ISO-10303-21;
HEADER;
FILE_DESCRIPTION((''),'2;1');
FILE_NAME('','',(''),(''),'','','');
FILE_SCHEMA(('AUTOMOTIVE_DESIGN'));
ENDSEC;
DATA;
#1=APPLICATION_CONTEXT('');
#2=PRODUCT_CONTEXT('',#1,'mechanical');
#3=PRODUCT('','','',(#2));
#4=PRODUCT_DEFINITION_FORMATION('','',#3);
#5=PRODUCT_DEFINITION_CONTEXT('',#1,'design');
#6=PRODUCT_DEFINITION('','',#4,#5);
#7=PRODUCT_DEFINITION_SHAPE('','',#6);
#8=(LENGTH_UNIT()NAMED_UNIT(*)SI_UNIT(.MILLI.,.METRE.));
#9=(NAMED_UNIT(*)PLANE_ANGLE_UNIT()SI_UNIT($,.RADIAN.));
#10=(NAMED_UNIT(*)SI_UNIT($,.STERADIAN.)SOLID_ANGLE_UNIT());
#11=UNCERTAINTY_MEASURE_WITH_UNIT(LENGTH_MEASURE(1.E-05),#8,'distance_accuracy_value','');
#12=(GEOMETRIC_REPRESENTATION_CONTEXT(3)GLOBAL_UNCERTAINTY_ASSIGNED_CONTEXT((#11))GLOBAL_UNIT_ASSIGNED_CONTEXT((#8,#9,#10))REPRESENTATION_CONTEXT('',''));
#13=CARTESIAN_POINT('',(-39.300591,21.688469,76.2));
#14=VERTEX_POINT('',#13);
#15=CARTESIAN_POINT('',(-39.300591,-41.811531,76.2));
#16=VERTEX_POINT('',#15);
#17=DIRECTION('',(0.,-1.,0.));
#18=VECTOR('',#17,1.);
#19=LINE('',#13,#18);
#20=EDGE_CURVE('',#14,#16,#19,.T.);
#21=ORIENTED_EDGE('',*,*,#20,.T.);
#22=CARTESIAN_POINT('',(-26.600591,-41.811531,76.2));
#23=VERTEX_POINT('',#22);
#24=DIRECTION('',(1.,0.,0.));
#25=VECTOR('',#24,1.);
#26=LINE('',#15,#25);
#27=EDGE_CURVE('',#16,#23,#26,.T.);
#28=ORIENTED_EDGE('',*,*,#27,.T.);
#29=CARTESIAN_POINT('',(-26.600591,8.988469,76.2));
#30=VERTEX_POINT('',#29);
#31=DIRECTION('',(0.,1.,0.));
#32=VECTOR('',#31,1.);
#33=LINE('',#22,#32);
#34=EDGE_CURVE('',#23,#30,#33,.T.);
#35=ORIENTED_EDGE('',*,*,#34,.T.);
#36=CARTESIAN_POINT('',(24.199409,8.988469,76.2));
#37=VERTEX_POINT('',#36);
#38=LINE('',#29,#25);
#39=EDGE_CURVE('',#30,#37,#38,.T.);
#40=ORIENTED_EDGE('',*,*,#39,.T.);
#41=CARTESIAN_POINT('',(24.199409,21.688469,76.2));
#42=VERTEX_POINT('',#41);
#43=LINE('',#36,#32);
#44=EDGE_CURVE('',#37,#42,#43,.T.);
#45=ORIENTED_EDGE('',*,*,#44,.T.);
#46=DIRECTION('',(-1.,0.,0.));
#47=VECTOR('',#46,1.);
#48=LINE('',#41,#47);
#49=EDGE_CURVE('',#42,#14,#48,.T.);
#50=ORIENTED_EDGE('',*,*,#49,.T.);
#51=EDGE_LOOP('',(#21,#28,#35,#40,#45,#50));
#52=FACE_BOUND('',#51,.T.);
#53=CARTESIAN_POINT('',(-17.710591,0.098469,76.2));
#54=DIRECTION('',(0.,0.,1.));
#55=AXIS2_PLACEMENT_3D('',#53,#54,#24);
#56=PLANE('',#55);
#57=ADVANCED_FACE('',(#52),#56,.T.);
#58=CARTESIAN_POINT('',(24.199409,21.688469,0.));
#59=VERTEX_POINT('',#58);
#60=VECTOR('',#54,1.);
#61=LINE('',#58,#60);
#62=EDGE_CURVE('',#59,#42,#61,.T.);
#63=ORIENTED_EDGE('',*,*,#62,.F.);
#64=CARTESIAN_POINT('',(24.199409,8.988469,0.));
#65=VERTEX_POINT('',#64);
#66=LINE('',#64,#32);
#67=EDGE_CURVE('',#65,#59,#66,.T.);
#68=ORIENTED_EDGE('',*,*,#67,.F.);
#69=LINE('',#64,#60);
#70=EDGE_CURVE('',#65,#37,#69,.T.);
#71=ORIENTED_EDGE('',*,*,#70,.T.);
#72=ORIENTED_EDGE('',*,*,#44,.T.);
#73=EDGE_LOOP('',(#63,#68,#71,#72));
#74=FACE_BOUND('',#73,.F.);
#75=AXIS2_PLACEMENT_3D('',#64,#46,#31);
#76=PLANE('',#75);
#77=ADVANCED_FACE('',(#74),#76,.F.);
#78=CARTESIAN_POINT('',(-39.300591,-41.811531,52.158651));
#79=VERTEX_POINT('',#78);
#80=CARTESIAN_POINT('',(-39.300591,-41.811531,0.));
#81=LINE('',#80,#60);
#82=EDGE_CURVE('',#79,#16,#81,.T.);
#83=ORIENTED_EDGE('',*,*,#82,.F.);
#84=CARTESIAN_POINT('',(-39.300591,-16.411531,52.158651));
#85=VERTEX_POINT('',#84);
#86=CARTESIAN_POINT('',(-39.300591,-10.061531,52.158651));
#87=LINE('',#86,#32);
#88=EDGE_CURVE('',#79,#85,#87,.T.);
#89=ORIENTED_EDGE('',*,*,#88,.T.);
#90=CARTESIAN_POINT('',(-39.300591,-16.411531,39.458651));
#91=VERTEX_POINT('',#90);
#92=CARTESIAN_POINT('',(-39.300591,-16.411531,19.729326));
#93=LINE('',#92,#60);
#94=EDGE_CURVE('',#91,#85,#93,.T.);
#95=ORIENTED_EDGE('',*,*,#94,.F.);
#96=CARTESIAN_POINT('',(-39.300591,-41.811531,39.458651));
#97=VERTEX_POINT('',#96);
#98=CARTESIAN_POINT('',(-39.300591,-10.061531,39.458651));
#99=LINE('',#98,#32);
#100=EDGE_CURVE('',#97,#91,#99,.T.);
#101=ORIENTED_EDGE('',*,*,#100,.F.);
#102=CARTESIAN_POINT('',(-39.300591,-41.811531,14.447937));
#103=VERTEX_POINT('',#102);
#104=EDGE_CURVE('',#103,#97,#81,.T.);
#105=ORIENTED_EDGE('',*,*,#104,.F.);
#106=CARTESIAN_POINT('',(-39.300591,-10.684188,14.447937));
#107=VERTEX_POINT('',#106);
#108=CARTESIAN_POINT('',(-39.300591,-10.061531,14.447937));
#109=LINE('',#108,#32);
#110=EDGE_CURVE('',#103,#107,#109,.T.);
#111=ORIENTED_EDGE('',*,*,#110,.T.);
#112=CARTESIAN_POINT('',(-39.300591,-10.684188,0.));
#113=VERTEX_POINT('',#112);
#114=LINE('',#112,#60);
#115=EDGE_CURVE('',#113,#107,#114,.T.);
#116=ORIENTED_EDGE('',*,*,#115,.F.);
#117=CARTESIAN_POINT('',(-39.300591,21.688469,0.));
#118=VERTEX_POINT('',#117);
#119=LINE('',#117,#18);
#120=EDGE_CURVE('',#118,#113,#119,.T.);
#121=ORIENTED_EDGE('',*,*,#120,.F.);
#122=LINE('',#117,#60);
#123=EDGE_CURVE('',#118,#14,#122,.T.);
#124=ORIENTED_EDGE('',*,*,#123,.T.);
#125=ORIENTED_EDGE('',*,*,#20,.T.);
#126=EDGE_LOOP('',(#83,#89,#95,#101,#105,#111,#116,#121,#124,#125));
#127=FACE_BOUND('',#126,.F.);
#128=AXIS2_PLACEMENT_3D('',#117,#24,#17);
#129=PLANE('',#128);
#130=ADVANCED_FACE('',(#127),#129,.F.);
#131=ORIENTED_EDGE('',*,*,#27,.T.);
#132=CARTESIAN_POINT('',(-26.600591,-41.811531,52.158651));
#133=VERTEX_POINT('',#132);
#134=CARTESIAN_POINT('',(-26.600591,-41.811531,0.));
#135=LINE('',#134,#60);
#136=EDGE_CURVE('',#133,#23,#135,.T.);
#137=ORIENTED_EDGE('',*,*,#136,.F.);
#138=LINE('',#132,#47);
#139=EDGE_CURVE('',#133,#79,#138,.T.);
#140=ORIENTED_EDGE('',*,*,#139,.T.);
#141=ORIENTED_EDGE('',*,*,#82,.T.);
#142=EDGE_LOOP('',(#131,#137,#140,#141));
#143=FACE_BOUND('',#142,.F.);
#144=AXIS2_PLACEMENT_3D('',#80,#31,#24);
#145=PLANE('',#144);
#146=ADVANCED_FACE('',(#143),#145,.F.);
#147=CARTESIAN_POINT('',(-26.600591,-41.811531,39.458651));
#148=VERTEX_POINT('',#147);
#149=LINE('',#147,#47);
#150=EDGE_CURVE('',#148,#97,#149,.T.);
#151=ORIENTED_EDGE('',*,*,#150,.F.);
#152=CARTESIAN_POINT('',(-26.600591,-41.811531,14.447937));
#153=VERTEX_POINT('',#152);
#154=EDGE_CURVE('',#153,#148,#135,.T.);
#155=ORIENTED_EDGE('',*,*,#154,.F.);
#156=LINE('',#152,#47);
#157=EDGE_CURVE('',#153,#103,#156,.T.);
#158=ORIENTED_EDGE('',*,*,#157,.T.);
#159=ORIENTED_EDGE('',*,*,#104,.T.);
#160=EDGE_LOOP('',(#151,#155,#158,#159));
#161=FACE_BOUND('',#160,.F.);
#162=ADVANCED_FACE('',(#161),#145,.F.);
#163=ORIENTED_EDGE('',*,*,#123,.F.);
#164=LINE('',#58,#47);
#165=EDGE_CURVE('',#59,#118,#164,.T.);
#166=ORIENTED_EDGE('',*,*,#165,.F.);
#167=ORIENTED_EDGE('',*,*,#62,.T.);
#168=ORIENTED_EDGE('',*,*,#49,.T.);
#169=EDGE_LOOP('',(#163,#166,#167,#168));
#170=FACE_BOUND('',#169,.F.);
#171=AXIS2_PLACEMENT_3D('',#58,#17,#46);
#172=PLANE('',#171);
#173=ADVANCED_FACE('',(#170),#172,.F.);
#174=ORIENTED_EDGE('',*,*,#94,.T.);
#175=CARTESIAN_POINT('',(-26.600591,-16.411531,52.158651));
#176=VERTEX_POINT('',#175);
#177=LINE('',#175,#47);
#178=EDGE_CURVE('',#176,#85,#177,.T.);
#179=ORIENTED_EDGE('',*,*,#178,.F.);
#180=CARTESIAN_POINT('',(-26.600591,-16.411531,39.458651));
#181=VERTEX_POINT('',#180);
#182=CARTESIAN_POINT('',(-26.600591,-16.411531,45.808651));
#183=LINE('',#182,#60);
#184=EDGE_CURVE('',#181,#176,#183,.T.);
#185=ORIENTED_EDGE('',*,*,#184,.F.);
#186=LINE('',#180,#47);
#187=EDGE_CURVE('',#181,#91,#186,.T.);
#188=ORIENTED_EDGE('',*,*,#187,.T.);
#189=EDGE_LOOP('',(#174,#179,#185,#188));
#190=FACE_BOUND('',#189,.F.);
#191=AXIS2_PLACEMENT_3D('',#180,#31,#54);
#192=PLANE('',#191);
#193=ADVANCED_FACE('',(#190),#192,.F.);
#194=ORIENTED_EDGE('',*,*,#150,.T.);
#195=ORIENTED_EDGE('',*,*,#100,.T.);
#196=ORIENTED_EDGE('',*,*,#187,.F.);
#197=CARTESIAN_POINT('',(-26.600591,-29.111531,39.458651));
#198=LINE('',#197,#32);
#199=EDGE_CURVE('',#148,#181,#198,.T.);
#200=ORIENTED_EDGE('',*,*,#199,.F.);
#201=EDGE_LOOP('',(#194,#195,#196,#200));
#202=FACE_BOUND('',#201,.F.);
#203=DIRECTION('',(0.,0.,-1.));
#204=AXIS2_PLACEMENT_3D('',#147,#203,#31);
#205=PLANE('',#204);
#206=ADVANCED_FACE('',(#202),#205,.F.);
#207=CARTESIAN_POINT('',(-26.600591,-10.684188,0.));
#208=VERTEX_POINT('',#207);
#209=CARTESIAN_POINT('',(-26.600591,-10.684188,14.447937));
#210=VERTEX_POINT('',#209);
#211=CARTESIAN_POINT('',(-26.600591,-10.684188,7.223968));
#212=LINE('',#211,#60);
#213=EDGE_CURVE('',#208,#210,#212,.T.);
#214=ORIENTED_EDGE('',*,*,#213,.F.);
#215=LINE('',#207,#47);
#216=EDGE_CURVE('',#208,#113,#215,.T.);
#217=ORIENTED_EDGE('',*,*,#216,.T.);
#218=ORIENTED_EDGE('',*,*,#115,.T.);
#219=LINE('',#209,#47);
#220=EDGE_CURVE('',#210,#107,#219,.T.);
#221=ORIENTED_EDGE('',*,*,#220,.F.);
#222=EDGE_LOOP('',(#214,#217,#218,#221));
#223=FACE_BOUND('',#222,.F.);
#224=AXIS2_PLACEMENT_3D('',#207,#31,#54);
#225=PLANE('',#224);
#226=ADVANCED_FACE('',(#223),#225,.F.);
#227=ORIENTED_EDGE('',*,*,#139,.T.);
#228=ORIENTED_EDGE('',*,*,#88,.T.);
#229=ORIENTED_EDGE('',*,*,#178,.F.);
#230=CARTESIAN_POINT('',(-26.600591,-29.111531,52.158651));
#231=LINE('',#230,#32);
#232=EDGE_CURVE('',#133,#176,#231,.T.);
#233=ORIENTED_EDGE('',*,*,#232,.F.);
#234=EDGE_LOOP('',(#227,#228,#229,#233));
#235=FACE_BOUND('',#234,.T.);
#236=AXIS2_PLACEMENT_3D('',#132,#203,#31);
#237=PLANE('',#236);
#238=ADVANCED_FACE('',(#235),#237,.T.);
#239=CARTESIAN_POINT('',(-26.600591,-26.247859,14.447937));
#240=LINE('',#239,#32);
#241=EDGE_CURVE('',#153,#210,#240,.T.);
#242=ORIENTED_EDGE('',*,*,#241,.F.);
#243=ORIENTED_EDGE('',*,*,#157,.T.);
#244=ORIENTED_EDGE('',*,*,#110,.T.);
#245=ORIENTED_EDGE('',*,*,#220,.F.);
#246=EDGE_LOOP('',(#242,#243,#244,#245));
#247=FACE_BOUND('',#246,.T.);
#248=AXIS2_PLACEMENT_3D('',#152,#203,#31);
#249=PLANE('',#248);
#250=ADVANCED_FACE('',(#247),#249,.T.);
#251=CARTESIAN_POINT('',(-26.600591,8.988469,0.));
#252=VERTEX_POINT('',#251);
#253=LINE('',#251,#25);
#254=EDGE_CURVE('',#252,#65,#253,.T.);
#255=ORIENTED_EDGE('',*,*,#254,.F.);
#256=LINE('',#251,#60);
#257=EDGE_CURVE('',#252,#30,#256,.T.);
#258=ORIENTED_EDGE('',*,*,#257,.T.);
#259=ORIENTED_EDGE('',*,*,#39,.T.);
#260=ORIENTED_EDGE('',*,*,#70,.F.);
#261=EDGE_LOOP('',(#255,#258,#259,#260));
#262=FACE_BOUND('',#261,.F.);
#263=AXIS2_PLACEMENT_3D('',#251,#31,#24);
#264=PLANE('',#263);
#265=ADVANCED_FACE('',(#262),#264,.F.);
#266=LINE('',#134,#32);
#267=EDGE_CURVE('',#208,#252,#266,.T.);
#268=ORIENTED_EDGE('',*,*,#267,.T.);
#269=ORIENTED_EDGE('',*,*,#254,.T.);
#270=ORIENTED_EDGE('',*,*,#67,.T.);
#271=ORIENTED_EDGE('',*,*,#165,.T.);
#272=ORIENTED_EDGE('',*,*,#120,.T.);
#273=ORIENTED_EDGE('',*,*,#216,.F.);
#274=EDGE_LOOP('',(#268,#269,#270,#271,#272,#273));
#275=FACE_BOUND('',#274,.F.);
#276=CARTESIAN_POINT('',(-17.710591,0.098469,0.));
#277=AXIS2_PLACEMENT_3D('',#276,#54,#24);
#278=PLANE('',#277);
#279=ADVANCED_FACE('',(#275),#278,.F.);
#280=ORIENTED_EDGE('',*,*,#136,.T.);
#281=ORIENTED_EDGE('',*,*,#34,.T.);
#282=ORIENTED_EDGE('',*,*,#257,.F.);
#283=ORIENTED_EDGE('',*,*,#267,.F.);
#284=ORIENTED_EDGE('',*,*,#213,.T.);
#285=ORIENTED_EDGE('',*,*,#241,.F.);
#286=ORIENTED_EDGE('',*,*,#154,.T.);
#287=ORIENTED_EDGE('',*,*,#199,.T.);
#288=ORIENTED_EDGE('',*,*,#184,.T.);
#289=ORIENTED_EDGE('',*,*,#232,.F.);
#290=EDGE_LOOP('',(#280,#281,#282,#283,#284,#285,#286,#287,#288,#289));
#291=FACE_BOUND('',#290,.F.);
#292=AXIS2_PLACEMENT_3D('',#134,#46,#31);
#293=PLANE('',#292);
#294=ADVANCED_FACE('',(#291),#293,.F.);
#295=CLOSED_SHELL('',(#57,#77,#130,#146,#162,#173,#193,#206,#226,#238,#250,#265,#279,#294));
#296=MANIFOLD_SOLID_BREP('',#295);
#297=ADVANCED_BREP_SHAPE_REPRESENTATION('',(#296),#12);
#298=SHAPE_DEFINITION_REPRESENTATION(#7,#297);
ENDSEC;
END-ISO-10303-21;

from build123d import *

# Parameters (mm, degrees)
F1_DEPTH = 76.2
F2_W     = 31.1273433149
F2_H     = 14.4479367882
F3_DEPTH = 25.4
F4_W     = 25.4
F4_H     = 12.7
F5_DEPTH = 25.4


with BuildPart() as f1:
    # F0 (on Top) → F1 (new body)
    with BuildSketch(Plane.XY):
        Polygon((-39.3005906213, 21.688469161), (-39.3005906213, -41.811530839), (-26.6005906213, -41.811530839), (-26.6005906213, 8.988469161), (24.1994093787, 8.988469161), (24.1994093787, 21.688469161), align=None)
    extrude(amount=F1_DEPTH)

    # F2 (on face) → F3 (cut)
    with BuildSketch(Plane.YZ.offset(-26.6005906213)):
        with Locations((-26.2478591815, 7.2239683941)):
            Rectangle(F2_W, F2_H)
    extrude(amount=-F3_DEPTH, mode=Mode.SUBTRACT)

    # F4 (on face) → F5 (cut)
    with BuildSketch(Plane.YZ.offset(-26.6005906213)):
        with Locations((-29.111530839, 45.8086510956)):
            Rectangle(F4_W, F4_H)
    extrude(amount=-F5_DEPTH, mode=Mode.SUBTRACT)


solid = f1.part
